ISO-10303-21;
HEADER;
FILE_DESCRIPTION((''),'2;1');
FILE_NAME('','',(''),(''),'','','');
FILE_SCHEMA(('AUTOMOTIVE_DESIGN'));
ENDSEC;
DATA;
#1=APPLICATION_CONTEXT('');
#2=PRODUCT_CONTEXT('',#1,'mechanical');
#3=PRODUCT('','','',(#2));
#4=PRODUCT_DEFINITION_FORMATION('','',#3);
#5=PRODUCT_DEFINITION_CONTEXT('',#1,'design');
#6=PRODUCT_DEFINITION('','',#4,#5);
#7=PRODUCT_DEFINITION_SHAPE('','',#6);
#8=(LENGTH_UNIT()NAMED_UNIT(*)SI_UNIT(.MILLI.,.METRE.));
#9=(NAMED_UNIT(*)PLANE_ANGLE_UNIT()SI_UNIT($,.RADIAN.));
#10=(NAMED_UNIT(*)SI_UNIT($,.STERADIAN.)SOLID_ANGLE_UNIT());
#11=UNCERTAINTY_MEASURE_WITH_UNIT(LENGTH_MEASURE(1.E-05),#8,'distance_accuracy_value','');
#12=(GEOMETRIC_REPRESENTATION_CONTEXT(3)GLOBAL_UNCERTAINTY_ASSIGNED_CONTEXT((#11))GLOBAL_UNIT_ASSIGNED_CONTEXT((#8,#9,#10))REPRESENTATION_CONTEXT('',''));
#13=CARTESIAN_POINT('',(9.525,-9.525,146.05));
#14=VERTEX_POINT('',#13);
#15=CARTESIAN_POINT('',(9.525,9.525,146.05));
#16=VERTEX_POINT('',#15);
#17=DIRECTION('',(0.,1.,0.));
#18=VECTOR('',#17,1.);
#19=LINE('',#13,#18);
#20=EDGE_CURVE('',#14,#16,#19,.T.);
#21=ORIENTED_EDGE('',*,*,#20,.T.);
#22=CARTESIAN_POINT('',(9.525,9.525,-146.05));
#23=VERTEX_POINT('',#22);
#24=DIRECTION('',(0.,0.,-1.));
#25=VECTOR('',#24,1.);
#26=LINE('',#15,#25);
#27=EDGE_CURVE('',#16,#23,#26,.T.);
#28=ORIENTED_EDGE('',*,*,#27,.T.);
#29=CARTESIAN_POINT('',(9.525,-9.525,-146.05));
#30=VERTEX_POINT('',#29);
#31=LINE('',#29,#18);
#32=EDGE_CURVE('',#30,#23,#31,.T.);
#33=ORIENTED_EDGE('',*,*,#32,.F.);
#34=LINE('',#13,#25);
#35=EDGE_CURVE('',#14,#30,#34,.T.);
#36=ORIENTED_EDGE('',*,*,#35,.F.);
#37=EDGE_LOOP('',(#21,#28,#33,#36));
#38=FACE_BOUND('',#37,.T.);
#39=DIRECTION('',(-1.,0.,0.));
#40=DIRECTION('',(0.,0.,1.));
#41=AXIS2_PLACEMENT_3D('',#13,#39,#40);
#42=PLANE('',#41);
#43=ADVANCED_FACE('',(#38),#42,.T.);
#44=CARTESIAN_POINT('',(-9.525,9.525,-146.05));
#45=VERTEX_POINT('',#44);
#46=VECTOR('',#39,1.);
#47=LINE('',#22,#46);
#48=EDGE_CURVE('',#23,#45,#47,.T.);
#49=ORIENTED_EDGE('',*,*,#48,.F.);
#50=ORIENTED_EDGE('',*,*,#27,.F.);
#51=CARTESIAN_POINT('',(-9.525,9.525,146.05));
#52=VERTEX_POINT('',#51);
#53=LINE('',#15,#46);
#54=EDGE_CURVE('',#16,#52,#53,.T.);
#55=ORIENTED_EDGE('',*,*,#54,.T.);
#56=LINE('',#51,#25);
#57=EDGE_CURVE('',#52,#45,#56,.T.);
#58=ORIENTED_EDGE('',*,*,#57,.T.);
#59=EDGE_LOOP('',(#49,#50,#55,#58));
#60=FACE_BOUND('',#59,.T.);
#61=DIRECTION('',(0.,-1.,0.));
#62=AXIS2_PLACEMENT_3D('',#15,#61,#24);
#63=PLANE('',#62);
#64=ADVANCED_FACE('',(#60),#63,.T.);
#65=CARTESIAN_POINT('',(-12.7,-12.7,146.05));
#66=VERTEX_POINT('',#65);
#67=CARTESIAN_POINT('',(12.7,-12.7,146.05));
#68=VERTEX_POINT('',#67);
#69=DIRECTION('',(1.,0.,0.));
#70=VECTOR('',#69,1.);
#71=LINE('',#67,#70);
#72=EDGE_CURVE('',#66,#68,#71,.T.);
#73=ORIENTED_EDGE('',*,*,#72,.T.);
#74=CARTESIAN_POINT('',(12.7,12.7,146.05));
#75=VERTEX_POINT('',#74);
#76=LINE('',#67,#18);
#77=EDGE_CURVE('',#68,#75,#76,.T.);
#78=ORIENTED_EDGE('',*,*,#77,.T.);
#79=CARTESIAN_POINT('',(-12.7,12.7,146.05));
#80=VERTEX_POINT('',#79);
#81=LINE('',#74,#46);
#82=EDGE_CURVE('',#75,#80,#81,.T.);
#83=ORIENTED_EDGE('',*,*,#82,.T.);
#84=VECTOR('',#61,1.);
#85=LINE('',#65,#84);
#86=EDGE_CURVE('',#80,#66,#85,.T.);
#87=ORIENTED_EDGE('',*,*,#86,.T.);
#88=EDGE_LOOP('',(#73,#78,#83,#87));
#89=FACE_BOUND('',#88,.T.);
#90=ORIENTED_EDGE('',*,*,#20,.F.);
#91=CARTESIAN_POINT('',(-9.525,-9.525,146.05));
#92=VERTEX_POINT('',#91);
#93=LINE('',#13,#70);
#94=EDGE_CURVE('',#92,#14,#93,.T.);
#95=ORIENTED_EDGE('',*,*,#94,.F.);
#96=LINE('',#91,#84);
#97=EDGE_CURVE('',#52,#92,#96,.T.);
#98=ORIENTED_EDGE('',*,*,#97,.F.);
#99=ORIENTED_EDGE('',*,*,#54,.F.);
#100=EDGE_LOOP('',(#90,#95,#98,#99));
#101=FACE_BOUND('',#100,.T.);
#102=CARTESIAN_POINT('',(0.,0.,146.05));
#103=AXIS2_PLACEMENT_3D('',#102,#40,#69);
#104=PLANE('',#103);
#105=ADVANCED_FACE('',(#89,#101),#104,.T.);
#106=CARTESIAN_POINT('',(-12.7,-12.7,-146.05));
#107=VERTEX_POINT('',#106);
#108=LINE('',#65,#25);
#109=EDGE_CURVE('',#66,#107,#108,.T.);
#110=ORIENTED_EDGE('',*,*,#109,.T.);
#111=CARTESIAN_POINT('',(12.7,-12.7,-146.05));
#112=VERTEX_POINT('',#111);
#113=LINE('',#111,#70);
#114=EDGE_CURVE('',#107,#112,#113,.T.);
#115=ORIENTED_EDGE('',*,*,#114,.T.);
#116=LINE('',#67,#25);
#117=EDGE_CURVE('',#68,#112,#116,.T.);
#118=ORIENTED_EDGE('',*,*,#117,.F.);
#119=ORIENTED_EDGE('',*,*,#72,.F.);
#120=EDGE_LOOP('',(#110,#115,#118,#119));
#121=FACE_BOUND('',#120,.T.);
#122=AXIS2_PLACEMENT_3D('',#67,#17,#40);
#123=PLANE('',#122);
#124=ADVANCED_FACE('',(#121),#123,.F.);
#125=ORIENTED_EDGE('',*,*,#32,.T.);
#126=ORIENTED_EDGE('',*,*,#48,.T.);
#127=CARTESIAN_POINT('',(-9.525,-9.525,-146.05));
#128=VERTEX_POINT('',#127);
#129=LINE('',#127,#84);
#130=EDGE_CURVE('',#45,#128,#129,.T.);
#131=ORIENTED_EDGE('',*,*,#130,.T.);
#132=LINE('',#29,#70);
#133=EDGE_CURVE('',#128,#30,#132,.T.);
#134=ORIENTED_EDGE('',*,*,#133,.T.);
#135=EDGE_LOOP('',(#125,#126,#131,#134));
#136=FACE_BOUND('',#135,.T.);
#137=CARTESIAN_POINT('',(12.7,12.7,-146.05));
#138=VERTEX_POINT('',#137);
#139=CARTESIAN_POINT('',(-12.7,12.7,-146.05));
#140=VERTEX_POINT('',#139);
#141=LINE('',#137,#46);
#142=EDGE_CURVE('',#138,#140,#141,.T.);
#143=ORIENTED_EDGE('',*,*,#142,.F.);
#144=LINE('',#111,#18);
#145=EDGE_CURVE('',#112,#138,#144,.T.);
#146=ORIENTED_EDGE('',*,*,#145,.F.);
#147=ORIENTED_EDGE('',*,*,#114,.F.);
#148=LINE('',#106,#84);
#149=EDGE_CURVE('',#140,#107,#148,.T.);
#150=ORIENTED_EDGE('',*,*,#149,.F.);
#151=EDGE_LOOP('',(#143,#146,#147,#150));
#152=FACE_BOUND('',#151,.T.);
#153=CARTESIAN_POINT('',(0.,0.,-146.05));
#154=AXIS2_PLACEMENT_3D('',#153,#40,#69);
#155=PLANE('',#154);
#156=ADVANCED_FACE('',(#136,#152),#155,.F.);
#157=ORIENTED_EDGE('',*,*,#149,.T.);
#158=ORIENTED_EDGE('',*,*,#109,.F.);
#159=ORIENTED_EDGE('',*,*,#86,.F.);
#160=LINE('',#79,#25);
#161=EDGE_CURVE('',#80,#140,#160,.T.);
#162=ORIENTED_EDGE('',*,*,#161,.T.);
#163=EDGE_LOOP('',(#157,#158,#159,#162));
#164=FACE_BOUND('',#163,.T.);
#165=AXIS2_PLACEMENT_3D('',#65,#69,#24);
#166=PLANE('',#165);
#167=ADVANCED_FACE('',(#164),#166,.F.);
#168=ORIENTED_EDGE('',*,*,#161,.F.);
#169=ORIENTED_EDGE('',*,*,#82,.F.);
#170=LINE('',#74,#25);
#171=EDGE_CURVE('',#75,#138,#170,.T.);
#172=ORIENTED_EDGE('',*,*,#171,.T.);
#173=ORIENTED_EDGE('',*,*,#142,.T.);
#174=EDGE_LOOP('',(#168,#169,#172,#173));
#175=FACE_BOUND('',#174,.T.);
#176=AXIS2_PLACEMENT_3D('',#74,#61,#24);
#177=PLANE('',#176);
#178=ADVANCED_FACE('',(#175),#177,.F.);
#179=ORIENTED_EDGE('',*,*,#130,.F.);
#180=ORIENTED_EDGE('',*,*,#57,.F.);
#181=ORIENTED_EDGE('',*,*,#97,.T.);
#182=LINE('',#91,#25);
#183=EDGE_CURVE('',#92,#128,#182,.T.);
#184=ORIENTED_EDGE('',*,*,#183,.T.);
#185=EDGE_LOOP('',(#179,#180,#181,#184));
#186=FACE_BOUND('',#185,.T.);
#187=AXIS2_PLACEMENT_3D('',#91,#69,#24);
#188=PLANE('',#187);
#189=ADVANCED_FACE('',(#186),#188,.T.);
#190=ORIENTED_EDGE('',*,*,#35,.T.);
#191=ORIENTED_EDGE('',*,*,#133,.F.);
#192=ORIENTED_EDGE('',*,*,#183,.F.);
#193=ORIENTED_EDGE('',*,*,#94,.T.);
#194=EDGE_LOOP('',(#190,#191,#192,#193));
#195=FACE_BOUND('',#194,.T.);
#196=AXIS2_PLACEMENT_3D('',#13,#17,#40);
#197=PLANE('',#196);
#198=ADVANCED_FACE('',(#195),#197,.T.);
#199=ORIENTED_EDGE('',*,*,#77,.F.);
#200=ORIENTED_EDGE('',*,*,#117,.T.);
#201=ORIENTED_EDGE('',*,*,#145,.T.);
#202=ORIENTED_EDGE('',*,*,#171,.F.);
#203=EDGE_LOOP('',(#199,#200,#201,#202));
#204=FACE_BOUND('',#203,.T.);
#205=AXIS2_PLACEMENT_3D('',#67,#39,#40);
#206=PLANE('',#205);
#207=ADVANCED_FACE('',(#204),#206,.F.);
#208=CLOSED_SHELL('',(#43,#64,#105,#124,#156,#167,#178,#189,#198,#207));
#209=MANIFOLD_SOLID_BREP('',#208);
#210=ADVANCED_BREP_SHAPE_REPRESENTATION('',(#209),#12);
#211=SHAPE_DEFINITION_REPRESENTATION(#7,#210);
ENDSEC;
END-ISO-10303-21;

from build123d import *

# Parameters (mm, degrees)
BOSS_EXTRUDE1_DEPTH      = 146.05
BOSS_EXTRUDE1_DEPTH_BACK = 146.05
SKETCH3_W                = 25.4
SKETCH3_H                = 25.4
SKETCH3_W_2              = 19.05
SKETCH3_H_2              = 19.05


with BuildPart() as part:
    # Sketch3 → Boss-Extrude1 (new, two sides: drawn at the far end of the back side and taken through both)
    with BuildSketch(Plane.XY.offset(-BOSS_EXTRUDE1_DEPTH_BACK)):
        Rectangle(SKETCH3_W, SKETCH3_H)
        Rectangle(SKETCH3_W_2, SKETCH3_H_2, mode=Mode.SUBTRACT)
    extrude(amount=BOSS_EXTRUDE1_DEPTH + BOSS_EXTRUDE1_DEPTH_BACK)


solid = part.part
